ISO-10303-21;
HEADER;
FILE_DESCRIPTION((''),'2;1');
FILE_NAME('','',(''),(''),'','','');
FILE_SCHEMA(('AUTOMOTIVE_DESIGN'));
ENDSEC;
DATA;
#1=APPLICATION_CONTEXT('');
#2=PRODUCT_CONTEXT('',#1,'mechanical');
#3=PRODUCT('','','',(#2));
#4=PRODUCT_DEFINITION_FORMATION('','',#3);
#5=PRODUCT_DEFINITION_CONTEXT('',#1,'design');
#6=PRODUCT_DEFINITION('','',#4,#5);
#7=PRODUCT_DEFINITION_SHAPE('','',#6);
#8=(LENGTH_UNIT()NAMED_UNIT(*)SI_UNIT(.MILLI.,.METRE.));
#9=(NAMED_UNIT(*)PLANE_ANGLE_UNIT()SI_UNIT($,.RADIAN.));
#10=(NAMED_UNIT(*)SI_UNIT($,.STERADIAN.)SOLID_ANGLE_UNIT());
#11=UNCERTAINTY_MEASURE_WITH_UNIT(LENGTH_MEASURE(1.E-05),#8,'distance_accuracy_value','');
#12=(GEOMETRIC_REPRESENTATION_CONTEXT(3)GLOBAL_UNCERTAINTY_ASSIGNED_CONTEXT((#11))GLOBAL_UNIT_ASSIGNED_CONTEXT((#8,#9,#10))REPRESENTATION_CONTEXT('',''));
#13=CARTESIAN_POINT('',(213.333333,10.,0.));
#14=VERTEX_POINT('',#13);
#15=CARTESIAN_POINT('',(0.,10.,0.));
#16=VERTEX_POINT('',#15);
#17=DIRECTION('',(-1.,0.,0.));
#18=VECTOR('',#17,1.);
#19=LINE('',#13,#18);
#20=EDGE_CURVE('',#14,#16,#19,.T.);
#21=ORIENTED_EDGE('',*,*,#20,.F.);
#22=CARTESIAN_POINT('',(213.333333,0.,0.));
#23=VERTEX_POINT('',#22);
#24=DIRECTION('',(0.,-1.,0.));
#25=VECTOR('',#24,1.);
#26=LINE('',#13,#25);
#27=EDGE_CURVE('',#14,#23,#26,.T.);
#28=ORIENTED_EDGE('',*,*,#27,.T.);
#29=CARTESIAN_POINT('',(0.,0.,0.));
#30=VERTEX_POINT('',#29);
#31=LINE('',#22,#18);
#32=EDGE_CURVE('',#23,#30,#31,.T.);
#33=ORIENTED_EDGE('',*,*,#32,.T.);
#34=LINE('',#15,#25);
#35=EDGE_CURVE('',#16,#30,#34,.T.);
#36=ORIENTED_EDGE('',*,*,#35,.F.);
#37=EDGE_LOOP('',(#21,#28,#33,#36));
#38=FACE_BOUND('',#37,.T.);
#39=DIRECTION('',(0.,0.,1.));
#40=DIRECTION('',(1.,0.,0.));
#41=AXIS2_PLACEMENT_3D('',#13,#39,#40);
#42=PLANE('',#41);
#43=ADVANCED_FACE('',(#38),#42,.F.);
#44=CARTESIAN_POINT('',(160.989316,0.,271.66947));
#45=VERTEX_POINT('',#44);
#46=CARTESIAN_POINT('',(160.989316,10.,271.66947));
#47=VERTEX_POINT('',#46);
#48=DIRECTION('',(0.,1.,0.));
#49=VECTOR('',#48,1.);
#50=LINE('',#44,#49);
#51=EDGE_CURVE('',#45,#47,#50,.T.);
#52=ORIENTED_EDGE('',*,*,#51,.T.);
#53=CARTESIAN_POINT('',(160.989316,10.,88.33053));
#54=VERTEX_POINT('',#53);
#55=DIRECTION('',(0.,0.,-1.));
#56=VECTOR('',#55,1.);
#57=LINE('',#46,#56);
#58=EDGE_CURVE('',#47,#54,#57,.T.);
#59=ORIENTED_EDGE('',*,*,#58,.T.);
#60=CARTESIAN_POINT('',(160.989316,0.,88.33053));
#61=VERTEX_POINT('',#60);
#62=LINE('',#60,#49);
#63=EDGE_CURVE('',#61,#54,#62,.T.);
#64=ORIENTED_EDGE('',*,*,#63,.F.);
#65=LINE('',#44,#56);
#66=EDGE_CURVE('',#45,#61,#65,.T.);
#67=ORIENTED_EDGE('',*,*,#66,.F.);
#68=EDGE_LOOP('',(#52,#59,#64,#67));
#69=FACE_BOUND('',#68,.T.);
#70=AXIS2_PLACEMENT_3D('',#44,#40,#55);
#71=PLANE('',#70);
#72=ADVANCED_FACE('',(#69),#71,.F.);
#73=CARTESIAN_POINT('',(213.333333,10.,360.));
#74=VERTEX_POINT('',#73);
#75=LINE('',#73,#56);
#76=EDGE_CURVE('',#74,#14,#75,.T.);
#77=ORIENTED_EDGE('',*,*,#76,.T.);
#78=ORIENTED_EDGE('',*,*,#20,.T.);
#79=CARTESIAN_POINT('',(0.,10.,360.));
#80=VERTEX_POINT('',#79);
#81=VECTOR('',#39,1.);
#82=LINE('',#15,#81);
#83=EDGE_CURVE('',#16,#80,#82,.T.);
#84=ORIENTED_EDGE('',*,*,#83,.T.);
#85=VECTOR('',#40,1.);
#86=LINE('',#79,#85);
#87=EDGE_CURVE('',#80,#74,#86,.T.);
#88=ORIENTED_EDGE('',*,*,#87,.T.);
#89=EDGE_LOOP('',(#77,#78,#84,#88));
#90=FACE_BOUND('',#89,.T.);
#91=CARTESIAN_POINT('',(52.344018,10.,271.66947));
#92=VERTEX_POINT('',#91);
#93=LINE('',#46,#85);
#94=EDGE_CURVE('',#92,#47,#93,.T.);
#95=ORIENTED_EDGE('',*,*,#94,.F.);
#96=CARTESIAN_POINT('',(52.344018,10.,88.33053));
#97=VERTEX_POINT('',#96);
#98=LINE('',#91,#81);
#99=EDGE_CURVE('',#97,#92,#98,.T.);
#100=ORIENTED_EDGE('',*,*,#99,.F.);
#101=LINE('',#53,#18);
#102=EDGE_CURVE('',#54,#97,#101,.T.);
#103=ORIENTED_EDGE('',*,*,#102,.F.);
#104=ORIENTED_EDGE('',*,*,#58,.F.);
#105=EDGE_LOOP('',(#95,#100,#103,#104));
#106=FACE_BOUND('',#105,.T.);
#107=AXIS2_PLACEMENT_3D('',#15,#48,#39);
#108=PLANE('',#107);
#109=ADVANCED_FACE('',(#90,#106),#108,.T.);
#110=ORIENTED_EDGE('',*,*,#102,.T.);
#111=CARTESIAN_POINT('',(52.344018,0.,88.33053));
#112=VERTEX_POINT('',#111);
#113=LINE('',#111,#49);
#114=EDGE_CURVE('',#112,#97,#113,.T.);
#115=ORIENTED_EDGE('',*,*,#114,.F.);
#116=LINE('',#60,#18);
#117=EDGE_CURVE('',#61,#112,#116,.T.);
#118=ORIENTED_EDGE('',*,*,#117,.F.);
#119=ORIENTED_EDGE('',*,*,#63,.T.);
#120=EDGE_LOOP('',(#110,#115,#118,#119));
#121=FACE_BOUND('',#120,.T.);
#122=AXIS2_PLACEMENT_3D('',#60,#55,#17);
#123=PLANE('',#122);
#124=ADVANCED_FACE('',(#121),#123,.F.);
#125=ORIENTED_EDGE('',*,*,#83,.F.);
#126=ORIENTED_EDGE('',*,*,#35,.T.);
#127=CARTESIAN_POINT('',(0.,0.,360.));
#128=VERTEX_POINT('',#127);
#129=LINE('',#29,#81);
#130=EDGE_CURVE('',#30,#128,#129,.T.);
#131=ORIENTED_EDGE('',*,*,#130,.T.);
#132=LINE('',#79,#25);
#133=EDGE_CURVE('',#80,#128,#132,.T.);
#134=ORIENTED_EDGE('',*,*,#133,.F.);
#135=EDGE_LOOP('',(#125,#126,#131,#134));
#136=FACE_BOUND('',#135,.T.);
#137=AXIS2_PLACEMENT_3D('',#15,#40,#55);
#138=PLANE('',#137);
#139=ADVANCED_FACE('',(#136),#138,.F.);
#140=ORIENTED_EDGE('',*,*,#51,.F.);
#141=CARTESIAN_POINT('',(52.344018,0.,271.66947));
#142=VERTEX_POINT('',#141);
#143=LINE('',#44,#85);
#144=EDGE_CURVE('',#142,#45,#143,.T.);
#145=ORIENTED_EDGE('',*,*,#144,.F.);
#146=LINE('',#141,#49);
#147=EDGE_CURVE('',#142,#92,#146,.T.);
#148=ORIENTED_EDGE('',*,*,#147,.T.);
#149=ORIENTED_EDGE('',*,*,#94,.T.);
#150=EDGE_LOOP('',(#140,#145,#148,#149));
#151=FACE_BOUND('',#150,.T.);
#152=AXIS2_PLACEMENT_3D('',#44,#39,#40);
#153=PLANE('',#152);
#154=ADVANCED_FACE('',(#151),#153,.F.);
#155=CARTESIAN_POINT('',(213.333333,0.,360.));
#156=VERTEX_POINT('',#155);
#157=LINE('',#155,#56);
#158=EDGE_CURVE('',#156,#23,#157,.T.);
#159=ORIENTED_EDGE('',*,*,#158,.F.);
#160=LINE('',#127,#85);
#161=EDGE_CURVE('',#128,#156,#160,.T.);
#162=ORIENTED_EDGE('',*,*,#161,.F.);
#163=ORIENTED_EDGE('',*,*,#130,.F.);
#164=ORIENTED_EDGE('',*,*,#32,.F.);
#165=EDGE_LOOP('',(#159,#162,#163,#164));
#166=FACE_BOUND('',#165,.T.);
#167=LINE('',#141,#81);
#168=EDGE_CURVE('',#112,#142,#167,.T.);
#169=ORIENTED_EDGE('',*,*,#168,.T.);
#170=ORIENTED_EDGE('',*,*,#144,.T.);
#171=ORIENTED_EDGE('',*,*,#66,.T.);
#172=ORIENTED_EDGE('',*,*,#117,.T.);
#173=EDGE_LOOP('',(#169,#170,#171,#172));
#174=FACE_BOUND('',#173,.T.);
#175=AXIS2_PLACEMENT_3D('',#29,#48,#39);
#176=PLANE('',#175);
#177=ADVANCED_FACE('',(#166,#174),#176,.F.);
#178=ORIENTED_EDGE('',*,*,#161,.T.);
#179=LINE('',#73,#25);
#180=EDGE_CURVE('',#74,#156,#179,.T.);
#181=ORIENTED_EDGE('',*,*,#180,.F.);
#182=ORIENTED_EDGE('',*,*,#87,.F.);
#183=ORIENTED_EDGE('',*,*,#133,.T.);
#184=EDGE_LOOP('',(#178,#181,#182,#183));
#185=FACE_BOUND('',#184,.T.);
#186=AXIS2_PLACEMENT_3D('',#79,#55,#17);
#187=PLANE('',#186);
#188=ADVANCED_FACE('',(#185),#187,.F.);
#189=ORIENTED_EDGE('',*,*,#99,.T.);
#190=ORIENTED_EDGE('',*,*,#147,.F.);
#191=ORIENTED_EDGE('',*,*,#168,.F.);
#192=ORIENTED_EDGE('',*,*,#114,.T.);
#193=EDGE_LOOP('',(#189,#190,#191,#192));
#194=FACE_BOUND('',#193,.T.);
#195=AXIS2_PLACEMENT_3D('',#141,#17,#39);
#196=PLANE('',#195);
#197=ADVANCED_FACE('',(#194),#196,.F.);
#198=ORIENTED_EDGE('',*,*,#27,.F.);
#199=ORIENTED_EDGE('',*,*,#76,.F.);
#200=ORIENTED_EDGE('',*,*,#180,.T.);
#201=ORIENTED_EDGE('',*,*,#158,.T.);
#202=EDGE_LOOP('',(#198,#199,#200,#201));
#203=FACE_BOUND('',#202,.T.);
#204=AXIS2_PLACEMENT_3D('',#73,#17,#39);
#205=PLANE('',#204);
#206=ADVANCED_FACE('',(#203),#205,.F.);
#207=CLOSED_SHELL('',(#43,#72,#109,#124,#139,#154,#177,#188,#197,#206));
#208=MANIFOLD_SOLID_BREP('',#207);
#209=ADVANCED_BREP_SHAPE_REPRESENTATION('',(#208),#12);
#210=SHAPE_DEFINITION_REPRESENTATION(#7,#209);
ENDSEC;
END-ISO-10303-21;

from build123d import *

# Parameters (mm, degrees)
SKETCH1_W           = 213.3333333
SKETCH1_H           = 360
BOSS_EXTRUDE2_DEPTH = 10
SKETCH2_W           = 108.645297868
SKETCH2_H           = 183.338940182
CUT_EXTRUDE1_DEPTH  = 10


with BuildPart() as part:
    # Sketch1 → Boss-Extrude2 (new body)
    with BuildSketch(Plane(origin=(0, 0, 0), x_dir=(1, 0, 0), z_dir=(0, 1, 0))):
        with Locations((106.66666665, -180)):
            Rectangle(SKETCH1_W, SKETCH1_H)
    extrude(amount=BOSS_EXTRUDE2_DEPTH)

    # Sketch2 → Cut-Extrude1 (cut)
    with BuildSketch(Plane(origin=(0, 10, 0), x_dir=(1, 0, 0), z_dir=(0, 1, 0))):
        with Locations((106.66666665, -180)):
            Rectangle(SKETCH2_W, SKETCH2_H)
    extrude(amount=-CUT_EXTRUDE1_DEPTH, mode=Mode.SUBTRACT)


solid = part.part
